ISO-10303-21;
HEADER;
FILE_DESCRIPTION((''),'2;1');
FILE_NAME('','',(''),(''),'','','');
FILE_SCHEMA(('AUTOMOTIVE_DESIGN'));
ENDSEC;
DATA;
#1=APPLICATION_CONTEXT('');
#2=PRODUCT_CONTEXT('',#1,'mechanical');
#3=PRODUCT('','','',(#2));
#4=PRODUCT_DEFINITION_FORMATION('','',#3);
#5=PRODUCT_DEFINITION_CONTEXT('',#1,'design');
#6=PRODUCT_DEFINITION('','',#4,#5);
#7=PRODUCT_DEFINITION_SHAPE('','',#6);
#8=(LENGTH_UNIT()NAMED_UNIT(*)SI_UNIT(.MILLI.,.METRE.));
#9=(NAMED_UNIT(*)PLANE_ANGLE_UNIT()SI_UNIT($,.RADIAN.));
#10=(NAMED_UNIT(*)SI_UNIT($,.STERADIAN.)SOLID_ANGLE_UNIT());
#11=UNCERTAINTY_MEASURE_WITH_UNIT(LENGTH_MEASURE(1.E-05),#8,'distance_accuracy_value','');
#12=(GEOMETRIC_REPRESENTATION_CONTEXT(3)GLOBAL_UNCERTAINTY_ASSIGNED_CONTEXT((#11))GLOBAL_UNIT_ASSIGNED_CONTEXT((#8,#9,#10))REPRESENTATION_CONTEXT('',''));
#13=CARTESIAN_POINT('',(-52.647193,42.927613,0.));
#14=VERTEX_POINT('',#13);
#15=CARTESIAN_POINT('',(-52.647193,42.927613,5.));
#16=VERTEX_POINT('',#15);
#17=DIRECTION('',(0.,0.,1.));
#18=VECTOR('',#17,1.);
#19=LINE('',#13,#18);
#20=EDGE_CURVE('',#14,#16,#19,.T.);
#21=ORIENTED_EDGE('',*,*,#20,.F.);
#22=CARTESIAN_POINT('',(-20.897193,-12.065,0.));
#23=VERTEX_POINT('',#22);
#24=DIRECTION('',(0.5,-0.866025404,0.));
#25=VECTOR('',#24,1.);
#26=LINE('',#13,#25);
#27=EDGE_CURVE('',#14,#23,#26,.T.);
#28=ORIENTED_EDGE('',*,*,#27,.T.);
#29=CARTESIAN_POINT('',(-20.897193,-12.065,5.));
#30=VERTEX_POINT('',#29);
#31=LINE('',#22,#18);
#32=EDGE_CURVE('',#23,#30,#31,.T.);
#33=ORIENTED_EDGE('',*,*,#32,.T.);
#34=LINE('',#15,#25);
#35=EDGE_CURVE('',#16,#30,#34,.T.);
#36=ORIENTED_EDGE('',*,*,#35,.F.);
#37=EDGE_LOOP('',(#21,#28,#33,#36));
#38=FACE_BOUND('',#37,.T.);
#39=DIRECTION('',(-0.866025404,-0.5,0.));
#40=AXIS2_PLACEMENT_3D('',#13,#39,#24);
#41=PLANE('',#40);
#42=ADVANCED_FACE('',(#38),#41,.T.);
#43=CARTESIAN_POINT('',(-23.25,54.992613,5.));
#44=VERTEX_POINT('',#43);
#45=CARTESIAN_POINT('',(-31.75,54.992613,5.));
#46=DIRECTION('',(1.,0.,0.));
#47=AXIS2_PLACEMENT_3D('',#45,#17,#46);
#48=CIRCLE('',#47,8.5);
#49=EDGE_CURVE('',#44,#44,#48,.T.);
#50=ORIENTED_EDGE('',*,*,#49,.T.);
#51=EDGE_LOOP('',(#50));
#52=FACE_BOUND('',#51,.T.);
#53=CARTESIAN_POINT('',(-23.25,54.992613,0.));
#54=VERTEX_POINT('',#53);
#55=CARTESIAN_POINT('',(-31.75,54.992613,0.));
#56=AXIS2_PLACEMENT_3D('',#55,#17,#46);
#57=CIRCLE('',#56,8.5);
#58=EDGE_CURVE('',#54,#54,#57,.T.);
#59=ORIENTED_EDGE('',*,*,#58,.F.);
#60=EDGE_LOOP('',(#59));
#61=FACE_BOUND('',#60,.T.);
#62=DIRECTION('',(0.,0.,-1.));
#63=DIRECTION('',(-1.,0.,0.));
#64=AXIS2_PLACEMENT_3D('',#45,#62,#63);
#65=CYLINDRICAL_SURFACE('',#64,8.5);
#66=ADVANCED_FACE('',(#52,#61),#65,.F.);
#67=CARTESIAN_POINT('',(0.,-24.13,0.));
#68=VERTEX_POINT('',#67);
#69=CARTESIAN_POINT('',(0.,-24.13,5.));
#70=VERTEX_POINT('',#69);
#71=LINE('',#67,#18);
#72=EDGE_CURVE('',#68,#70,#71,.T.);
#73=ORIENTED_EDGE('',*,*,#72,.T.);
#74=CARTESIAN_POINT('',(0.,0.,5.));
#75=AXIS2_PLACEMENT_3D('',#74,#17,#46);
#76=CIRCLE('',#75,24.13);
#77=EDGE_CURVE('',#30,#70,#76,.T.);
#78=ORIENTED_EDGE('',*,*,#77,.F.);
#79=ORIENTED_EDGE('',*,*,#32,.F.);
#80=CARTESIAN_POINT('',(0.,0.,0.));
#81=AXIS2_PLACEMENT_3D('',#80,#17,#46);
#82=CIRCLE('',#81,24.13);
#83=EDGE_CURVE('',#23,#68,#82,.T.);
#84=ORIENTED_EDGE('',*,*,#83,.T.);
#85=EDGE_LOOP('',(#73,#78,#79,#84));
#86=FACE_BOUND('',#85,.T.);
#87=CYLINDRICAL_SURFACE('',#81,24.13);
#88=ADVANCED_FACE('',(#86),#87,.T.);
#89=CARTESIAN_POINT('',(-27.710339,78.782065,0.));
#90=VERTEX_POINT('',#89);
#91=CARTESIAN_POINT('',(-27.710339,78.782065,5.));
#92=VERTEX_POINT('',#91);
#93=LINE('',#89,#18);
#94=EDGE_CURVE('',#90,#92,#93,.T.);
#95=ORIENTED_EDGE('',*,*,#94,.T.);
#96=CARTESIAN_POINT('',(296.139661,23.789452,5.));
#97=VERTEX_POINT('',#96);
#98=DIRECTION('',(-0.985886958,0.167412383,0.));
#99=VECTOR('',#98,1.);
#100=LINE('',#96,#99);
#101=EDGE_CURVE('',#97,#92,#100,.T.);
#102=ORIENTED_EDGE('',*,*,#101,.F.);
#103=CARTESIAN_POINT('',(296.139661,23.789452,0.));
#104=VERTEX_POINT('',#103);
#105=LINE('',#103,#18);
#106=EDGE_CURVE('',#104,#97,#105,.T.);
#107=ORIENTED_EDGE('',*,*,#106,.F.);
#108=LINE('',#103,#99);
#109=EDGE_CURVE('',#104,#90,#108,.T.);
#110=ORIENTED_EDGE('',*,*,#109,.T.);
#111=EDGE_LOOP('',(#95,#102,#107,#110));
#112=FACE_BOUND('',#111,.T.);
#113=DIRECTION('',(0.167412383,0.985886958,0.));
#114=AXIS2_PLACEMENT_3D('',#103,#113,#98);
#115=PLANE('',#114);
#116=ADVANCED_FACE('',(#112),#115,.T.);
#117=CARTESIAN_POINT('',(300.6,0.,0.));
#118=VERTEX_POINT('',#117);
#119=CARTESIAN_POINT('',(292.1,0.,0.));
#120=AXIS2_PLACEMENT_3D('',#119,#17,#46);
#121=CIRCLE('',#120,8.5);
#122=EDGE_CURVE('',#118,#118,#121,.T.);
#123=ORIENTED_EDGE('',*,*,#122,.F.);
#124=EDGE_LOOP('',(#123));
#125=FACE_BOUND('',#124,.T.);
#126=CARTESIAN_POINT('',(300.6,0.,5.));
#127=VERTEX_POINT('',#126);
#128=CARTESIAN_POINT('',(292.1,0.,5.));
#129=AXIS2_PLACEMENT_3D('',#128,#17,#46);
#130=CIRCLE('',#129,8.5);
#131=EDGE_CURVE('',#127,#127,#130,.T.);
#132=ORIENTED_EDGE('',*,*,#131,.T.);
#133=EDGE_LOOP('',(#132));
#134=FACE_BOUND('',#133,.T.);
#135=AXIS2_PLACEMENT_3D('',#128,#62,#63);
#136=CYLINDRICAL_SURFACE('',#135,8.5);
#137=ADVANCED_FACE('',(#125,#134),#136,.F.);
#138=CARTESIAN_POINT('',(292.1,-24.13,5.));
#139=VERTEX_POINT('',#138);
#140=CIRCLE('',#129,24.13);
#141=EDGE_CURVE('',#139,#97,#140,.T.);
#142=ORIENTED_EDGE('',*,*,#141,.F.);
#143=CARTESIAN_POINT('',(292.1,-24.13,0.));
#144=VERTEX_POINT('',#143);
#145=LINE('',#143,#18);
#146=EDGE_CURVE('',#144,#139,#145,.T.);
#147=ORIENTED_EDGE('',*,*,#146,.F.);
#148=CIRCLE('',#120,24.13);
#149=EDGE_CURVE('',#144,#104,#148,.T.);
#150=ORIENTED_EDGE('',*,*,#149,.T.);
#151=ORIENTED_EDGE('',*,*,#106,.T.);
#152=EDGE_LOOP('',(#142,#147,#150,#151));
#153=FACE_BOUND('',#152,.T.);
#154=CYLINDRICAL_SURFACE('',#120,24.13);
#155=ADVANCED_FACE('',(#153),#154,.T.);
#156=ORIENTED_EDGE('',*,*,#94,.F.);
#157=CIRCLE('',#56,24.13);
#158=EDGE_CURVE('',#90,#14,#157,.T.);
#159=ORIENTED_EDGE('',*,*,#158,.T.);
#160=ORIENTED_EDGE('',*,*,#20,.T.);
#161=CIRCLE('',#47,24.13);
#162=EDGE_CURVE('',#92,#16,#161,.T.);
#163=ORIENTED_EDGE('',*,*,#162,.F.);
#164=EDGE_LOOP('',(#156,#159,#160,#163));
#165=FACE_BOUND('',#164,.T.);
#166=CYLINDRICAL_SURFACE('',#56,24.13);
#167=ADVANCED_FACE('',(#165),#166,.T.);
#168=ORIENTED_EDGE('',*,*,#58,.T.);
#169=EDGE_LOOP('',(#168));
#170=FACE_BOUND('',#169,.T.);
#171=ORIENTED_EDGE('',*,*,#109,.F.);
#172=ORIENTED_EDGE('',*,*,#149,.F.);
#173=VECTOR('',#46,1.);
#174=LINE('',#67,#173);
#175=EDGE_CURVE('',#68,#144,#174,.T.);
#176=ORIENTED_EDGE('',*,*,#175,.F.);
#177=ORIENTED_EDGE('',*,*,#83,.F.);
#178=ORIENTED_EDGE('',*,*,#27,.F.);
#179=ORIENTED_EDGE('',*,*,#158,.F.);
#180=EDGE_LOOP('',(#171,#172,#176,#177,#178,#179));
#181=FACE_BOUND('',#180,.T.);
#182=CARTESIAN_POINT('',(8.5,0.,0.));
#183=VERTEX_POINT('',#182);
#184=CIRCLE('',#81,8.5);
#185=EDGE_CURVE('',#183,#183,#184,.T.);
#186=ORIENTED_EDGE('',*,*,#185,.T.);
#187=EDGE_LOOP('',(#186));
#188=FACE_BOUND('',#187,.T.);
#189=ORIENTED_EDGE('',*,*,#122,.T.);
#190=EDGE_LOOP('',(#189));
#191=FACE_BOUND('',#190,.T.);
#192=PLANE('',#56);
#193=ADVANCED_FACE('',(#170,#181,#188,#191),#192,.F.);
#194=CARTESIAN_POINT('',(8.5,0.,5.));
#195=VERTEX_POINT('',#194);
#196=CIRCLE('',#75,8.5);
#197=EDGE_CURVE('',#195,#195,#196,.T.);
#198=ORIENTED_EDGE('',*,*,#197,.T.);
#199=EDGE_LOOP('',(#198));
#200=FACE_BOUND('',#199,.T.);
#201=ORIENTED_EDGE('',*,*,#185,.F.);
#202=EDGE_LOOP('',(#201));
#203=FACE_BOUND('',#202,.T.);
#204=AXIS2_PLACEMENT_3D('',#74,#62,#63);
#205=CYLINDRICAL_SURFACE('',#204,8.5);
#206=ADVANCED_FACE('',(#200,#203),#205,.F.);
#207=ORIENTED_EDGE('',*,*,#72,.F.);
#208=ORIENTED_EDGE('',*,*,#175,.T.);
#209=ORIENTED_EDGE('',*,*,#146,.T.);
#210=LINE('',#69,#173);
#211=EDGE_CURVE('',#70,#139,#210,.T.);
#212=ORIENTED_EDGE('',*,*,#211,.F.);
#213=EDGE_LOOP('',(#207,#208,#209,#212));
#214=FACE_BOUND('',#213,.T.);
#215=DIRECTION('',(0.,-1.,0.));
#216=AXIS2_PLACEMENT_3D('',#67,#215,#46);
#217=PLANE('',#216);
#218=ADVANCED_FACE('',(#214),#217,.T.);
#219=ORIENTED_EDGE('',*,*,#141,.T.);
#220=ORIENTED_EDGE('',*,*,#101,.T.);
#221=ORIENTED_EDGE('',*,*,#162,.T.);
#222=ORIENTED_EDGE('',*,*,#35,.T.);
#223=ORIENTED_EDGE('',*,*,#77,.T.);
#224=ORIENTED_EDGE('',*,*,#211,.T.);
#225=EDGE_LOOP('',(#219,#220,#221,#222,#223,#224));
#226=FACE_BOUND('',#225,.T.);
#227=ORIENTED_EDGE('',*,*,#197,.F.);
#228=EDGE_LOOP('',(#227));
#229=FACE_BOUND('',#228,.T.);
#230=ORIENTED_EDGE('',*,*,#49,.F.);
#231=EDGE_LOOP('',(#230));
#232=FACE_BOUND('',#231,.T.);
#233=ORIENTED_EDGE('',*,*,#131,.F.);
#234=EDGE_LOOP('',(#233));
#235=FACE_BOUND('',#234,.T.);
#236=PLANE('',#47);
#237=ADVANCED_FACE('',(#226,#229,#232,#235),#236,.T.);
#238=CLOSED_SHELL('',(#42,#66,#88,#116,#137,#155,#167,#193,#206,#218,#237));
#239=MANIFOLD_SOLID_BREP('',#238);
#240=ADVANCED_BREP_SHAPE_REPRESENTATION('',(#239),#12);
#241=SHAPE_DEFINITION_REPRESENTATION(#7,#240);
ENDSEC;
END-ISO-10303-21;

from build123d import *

# Parameters (mm, degrees)
SKETCH1_R           = 8.5
BOSS_EXTRUDE1_DEPTH = 5
CUT_EXTRUDE1_DEPTH  = 6


with BuildPart() as part:
    # Sketch1 → Boss-Extrude1 (new body)
    with BuildSketch(Plane.XY):
        with BuildLine():
            Line((0, -31.75), (292.1, -31.75))
            ThreePointArc((292.1, -31.75), (323.737779408, -2.667098451), (297.415343146, 31.30191092))
            Line((297.415343146, 31.30191092), (-26.434656854, 86.29452406))
            ThreePointArc((-26.434656854, 86.29452406), (-57.815571461, 73.121277857), (-59.24630657, 39.11761314))
            Line((-59.24630657, 39.11761314), (-27.49630657, -15.875))
            ThreePointArc((-27.49630657, -15.875), (-15.875, -27.49630657), (0, -31.75))
        make_face()
        with Locations((-31.75, 54.99261314)):
            Circle(SKETCH1_R, mode=Mode.SUBTRACT)
        Circle(SKETCH1_R, mode=Mode.SUBTRACT)
        with Locations((292.1, 0)):
            Circle(SKETCH1_R, mode=Mode.SUBTRACT)
    extrude(amount=BOSS_EXTRUDE1_DEPTH)

    # Sketch2 → Cut-Extrude1 (cut, through all)
    with BuildSketch(Plane.XY.offset(5)):
        with BuildLine():
            Line((297.415343146, 31.30191092), (-26.434656854, 86.29452406))
            ThreePointArc((-26.434656854, 86.29452406), (-57.815571461, 73.121277857), (-59.24630657, 39.11761314))
            Line((-59.24630657, 39.11761314), (-27.49630657, -15.875))
            ThreePointArc((-27.49630657, -15.875), (-15.875, -27.49630657), (0, -31.75))
            Line((0, -31.75), (292.1, -31.75))
            ThreePointArc((292.1, -31.75), (323.737779408, -2.667098451), (297.415343146, 31.30191092))
        make_face()
        with BuildLine():
            Line((296.139660791, 23.789452299), (-27.710339209, 78.782065439))
            ThreePointArc((-27.710339209, 78.782065439), (-51.55983431, 68.770398325), (-52.647192993, 42.92761314))
            Line((-52.647192993, 42.92761314), (-20.897192993, -12.065))
            ThreePointArc((-20.897192993, -12.065), (-12.065, -20.897192993), (0, -24.13))
            Line((0, -24.13), (292.1, -24.13))
            ThreePointArc((292.1, -24.13), (316.14471235, -2.026994822), (296.139660791, 23.789452299))
        make_face(mode=Mode.SUBTRACT)
    extrude(amount=-CUT_EXTRUDE1_DEPTH, mode=Mode.SUBTRACT)


solid = part.part
